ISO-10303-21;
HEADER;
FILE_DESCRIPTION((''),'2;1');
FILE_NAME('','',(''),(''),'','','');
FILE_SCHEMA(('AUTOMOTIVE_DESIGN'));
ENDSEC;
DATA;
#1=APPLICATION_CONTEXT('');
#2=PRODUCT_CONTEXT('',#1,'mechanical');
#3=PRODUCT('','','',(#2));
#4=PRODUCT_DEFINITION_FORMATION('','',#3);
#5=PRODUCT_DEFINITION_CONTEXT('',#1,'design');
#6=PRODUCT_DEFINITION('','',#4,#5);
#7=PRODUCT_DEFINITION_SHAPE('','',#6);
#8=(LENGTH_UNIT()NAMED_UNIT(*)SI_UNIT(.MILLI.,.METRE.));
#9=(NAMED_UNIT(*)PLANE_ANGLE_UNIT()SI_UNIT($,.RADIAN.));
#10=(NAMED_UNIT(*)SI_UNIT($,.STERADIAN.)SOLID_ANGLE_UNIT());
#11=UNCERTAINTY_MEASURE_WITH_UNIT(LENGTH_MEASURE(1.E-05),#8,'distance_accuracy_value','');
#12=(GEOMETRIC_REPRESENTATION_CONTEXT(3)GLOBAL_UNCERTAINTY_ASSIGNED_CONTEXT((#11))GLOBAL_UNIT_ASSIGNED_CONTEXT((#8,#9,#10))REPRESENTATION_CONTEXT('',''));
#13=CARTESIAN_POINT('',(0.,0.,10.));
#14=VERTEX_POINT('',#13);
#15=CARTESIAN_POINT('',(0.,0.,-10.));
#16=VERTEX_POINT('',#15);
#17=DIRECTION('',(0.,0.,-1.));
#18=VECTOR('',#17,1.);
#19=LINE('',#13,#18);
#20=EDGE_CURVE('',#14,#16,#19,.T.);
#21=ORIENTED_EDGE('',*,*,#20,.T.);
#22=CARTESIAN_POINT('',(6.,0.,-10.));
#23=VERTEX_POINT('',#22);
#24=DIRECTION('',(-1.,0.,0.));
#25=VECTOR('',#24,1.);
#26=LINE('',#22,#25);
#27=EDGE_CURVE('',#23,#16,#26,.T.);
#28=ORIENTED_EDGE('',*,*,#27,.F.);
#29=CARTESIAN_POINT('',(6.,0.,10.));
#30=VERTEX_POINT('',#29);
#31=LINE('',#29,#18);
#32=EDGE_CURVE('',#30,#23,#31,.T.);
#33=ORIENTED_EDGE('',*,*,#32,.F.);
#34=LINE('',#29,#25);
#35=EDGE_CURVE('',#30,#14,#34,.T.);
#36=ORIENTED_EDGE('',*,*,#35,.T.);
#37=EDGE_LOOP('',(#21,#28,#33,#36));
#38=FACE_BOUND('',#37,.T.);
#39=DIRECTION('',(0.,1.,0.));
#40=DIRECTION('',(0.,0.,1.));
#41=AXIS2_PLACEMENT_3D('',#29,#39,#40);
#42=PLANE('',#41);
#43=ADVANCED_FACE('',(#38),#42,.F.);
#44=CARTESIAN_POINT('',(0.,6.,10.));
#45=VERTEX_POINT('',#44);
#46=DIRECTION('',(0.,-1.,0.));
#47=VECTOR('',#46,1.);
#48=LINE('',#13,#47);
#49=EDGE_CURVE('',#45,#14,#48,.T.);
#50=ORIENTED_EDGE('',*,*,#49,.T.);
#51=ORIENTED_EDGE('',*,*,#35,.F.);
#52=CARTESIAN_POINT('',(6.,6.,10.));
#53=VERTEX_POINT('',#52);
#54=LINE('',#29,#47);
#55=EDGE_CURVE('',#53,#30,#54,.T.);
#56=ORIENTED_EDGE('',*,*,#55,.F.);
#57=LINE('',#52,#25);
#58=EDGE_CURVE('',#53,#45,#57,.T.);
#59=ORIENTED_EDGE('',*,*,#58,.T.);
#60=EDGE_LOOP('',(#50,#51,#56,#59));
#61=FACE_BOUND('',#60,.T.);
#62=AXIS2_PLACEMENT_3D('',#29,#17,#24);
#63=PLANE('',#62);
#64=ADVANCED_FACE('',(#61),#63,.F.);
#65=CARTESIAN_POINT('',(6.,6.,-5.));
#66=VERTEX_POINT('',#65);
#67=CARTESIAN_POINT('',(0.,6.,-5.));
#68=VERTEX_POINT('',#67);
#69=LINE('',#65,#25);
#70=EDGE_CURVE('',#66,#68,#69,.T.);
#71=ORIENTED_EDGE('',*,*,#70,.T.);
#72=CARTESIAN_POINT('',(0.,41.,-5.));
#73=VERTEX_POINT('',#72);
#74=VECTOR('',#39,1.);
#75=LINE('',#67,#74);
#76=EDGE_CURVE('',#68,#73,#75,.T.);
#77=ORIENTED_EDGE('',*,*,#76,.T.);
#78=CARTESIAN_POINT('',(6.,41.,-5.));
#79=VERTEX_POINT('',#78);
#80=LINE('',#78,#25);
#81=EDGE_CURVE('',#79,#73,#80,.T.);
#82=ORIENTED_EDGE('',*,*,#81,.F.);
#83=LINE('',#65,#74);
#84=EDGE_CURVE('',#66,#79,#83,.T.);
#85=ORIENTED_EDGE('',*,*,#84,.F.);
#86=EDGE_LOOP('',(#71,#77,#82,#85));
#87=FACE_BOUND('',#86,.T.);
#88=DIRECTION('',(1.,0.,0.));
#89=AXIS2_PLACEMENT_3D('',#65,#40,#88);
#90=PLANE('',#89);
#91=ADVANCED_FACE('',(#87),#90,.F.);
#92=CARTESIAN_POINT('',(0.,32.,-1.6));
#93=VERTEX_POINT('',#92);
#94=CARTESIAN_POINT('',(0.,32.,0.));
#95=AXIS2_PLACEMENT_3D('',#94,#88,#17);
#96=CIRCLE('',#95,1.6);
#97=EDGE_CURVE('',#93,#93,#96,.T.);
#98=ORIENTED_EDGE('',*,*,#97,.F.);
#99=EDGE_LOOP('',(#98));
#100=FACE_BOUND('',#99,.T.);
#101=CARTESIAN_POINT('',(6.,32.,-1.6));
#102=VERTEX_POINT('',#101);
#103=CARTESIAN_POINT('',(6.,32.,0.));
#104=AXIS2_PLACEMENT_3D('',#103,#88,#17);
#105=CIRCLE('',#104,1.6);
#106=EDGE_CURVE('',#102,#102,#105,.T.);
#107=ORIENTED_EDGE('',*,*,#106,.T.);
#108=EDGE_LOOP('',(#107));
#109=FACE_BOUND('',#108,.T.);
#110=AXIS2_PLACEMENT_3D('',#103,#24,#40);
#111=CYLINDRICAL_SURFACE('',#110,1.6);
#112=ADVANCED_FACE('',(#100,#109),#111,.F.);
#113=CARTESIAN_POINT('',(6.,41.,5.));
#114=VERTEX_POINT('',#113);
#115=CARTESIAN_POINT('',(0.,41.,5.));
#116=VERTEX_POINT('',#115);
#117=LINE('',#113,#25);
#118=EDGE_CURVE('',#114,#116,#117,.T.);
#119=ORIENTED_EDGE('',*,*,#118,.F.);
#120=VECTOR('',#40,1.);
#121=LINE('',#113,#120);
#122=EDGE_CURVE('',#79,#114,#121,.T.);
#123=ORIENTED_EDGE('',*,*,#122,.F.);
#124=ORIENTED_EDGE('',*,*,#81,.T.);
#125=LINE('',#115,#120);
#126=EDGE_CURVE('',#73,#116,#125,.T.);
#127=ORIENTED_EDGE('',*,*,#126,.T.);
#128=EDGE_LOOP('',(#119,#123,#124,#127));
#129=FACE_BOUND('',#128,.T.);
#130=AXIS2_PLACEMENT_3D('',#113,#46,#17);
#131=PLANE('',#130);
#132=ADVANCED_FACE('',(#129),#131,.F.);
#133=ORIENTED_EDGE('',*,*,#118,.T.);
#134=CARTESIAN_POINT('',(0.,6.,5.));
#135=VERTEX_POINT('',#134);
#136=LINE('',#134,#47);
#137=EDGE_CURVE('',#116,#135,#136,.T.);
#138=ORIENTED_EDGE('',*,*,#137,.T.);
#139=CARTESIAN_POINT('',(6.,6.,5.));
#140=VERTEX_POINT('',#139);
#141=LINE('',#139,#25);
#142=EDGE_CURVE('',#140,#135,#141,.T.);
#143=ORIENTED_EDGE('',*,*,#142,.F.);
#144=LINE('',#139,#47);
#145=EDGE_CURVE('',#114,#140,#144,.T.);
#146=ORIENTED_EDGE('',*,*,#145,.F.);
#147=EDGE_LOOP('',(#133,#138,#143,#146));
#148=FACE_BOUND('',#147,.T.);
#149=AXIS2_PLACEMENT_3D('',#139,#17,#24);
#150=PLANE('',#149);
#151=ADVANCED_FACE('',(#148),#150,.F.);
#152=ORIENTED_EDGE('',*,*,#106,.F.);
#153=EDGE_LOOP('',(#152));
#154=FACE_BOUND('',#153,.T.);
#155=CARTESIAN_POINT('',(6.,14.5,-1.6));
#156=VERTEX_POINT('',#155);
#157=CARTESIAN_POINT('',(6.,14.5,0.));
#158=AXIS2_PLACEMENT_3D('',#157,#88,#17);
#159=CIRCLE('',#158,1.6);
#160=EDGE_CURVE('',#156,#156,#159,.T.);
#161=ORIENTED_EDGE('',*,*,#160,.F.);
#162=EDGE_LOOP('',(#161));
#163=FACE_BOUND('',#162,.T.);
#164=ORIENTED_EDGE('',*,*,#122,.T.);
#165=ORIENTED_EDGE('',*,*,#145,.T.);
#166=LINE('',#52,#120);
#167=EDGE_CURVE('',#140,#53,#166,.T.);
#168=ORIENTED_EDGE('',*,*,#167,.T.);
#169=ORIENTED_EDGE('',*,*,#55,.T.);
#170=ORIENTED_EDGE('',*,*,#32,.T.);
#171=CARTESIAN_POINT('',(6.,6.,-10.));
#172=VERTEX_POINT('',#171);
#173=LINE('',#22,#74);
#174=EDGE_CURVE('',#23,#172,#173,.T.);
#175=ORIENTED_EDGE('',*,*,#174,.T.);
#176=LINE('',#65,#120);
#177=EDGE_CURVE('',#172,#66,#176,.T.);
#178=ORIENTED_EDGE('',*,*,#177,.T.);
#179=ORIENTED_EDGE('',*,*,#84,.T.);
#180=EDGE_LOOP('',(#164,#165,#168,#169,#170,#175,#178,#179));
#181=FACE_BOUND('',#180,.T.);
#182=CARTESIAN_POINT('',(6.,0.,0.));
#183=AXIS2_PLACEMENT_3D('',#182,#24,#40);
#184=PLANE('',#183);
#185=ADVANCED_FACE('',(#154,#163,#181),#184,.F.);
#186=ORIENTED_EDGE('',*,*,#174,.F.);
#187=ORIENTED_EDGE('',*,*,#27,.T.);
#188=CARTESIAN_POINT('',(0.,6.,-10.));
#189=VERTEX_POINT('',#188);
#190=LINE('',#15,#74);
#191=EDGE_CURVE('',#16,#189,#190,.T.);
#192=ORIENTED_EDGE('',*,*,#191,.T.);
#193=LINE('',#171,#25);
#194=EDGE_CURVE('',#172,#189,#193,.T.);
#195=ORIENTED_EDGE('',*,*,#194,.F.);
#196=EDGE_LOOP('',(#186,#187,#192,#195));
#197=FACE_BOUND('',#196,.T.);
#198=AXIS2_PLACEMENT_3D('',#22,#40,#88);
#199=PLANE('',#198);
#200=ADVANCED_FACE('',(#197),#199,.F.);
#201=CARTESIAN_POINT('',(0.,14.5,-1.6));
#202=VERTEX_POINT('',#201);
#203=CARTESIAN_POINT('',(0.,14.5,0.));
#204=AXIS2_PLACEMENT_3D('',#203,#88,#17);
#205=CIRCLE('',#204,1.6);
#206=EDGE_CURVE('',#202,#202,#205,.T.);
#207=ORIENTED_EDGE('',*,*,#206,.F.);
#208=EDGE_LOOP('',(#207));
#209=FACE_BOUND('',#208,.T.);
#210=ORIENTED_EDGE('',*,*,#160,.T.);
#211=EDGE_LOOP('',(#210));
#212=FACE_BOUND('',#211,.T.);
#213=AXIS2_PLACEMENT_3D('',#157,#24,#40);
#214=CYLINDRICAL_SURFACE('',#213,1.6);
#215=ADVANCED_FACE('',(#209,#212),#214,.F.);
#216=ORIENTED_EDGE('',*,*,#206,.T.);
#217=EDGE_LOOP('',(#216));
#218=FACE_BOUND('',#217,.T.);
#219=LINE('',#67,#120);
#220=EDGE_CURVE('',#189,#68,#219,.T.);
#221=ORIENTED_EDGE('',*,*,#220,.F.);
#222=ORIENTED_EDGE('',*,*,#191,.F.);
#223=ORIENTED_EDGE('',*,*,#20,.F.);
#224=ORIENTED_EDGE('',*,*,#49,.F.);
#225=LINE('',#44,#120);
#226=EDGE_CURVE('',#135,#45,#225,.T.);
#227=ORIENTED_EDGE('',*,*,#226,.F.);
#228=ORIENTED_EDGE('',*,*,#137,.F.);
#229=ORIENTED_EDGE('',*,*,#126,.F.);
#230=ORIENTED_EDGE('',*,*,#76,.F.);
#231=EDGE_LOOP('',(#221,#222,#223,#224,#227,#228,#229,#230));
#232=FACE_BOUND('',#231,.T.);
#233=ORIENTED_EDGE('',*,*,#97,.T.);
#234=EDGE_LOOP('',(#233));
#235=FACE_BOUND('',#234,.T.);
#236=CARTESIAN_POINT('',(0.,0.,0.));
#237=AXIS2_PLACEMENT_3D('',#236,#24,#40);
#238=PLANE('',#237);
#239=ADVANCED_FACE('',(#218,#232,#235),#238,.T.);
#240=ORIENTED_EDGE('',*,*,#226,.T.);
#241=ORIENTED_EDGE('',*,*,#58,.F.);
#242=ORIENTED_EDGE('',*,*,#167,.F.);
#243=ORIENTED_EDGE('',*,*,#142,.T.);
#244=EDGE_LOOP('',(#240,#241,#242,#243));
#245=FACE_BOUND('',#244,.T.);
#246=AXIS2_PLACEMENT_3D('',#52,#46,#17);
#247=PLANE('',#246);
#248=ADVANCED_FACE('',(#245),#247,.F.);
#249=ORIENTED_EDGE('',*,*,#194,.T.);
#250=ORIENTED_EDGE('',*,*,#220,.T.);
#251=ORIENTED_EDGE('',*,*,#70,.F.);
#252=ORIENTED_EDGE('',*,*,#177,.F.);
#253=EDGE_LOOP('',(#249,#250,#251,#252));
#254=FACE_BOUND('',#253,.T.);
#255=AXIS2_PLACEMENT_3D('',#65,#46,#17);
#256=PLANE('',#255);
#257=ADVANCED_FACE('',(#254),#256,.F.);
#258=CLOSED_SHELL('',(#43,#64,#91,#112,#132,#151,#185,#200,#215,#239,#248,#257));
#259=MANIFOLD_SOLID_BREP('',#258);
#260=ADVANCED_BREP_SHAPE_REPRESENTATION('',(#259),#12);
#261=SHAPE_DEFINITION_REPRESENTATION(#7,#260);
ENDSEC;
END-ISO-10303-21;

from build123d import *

# Parameters (mm, degrees)
SKETCH1_R           = 1.6
BOSS_EXTRUDE1_DEPTH = 6


with BuildPart() as part:
    # Sketch1 → Boss-Extrude1 (new body)
    with BuildSketch(Plane(origin=(0, 0, 0), x_dir=(0, 0, -1), z_dir=(1, 0, 0))):
        Polygon((5, 6), (10, 6), (10, 0), (-10, 0), (-10, 6), (-5, 6), (-5, 41), (5, 41), align=None)
        with Locations((0, 32)):
            Circle(SKETCH1_R, mode=Mode.SUBTRACT)
        with Locations((0, 14.5)):
            Circle(SKETCH1_R, mode=Mode.SUBTRACT)
    extrude(amount=BOSS_EXTRUDE1_DEPTH)


solid = part.part
